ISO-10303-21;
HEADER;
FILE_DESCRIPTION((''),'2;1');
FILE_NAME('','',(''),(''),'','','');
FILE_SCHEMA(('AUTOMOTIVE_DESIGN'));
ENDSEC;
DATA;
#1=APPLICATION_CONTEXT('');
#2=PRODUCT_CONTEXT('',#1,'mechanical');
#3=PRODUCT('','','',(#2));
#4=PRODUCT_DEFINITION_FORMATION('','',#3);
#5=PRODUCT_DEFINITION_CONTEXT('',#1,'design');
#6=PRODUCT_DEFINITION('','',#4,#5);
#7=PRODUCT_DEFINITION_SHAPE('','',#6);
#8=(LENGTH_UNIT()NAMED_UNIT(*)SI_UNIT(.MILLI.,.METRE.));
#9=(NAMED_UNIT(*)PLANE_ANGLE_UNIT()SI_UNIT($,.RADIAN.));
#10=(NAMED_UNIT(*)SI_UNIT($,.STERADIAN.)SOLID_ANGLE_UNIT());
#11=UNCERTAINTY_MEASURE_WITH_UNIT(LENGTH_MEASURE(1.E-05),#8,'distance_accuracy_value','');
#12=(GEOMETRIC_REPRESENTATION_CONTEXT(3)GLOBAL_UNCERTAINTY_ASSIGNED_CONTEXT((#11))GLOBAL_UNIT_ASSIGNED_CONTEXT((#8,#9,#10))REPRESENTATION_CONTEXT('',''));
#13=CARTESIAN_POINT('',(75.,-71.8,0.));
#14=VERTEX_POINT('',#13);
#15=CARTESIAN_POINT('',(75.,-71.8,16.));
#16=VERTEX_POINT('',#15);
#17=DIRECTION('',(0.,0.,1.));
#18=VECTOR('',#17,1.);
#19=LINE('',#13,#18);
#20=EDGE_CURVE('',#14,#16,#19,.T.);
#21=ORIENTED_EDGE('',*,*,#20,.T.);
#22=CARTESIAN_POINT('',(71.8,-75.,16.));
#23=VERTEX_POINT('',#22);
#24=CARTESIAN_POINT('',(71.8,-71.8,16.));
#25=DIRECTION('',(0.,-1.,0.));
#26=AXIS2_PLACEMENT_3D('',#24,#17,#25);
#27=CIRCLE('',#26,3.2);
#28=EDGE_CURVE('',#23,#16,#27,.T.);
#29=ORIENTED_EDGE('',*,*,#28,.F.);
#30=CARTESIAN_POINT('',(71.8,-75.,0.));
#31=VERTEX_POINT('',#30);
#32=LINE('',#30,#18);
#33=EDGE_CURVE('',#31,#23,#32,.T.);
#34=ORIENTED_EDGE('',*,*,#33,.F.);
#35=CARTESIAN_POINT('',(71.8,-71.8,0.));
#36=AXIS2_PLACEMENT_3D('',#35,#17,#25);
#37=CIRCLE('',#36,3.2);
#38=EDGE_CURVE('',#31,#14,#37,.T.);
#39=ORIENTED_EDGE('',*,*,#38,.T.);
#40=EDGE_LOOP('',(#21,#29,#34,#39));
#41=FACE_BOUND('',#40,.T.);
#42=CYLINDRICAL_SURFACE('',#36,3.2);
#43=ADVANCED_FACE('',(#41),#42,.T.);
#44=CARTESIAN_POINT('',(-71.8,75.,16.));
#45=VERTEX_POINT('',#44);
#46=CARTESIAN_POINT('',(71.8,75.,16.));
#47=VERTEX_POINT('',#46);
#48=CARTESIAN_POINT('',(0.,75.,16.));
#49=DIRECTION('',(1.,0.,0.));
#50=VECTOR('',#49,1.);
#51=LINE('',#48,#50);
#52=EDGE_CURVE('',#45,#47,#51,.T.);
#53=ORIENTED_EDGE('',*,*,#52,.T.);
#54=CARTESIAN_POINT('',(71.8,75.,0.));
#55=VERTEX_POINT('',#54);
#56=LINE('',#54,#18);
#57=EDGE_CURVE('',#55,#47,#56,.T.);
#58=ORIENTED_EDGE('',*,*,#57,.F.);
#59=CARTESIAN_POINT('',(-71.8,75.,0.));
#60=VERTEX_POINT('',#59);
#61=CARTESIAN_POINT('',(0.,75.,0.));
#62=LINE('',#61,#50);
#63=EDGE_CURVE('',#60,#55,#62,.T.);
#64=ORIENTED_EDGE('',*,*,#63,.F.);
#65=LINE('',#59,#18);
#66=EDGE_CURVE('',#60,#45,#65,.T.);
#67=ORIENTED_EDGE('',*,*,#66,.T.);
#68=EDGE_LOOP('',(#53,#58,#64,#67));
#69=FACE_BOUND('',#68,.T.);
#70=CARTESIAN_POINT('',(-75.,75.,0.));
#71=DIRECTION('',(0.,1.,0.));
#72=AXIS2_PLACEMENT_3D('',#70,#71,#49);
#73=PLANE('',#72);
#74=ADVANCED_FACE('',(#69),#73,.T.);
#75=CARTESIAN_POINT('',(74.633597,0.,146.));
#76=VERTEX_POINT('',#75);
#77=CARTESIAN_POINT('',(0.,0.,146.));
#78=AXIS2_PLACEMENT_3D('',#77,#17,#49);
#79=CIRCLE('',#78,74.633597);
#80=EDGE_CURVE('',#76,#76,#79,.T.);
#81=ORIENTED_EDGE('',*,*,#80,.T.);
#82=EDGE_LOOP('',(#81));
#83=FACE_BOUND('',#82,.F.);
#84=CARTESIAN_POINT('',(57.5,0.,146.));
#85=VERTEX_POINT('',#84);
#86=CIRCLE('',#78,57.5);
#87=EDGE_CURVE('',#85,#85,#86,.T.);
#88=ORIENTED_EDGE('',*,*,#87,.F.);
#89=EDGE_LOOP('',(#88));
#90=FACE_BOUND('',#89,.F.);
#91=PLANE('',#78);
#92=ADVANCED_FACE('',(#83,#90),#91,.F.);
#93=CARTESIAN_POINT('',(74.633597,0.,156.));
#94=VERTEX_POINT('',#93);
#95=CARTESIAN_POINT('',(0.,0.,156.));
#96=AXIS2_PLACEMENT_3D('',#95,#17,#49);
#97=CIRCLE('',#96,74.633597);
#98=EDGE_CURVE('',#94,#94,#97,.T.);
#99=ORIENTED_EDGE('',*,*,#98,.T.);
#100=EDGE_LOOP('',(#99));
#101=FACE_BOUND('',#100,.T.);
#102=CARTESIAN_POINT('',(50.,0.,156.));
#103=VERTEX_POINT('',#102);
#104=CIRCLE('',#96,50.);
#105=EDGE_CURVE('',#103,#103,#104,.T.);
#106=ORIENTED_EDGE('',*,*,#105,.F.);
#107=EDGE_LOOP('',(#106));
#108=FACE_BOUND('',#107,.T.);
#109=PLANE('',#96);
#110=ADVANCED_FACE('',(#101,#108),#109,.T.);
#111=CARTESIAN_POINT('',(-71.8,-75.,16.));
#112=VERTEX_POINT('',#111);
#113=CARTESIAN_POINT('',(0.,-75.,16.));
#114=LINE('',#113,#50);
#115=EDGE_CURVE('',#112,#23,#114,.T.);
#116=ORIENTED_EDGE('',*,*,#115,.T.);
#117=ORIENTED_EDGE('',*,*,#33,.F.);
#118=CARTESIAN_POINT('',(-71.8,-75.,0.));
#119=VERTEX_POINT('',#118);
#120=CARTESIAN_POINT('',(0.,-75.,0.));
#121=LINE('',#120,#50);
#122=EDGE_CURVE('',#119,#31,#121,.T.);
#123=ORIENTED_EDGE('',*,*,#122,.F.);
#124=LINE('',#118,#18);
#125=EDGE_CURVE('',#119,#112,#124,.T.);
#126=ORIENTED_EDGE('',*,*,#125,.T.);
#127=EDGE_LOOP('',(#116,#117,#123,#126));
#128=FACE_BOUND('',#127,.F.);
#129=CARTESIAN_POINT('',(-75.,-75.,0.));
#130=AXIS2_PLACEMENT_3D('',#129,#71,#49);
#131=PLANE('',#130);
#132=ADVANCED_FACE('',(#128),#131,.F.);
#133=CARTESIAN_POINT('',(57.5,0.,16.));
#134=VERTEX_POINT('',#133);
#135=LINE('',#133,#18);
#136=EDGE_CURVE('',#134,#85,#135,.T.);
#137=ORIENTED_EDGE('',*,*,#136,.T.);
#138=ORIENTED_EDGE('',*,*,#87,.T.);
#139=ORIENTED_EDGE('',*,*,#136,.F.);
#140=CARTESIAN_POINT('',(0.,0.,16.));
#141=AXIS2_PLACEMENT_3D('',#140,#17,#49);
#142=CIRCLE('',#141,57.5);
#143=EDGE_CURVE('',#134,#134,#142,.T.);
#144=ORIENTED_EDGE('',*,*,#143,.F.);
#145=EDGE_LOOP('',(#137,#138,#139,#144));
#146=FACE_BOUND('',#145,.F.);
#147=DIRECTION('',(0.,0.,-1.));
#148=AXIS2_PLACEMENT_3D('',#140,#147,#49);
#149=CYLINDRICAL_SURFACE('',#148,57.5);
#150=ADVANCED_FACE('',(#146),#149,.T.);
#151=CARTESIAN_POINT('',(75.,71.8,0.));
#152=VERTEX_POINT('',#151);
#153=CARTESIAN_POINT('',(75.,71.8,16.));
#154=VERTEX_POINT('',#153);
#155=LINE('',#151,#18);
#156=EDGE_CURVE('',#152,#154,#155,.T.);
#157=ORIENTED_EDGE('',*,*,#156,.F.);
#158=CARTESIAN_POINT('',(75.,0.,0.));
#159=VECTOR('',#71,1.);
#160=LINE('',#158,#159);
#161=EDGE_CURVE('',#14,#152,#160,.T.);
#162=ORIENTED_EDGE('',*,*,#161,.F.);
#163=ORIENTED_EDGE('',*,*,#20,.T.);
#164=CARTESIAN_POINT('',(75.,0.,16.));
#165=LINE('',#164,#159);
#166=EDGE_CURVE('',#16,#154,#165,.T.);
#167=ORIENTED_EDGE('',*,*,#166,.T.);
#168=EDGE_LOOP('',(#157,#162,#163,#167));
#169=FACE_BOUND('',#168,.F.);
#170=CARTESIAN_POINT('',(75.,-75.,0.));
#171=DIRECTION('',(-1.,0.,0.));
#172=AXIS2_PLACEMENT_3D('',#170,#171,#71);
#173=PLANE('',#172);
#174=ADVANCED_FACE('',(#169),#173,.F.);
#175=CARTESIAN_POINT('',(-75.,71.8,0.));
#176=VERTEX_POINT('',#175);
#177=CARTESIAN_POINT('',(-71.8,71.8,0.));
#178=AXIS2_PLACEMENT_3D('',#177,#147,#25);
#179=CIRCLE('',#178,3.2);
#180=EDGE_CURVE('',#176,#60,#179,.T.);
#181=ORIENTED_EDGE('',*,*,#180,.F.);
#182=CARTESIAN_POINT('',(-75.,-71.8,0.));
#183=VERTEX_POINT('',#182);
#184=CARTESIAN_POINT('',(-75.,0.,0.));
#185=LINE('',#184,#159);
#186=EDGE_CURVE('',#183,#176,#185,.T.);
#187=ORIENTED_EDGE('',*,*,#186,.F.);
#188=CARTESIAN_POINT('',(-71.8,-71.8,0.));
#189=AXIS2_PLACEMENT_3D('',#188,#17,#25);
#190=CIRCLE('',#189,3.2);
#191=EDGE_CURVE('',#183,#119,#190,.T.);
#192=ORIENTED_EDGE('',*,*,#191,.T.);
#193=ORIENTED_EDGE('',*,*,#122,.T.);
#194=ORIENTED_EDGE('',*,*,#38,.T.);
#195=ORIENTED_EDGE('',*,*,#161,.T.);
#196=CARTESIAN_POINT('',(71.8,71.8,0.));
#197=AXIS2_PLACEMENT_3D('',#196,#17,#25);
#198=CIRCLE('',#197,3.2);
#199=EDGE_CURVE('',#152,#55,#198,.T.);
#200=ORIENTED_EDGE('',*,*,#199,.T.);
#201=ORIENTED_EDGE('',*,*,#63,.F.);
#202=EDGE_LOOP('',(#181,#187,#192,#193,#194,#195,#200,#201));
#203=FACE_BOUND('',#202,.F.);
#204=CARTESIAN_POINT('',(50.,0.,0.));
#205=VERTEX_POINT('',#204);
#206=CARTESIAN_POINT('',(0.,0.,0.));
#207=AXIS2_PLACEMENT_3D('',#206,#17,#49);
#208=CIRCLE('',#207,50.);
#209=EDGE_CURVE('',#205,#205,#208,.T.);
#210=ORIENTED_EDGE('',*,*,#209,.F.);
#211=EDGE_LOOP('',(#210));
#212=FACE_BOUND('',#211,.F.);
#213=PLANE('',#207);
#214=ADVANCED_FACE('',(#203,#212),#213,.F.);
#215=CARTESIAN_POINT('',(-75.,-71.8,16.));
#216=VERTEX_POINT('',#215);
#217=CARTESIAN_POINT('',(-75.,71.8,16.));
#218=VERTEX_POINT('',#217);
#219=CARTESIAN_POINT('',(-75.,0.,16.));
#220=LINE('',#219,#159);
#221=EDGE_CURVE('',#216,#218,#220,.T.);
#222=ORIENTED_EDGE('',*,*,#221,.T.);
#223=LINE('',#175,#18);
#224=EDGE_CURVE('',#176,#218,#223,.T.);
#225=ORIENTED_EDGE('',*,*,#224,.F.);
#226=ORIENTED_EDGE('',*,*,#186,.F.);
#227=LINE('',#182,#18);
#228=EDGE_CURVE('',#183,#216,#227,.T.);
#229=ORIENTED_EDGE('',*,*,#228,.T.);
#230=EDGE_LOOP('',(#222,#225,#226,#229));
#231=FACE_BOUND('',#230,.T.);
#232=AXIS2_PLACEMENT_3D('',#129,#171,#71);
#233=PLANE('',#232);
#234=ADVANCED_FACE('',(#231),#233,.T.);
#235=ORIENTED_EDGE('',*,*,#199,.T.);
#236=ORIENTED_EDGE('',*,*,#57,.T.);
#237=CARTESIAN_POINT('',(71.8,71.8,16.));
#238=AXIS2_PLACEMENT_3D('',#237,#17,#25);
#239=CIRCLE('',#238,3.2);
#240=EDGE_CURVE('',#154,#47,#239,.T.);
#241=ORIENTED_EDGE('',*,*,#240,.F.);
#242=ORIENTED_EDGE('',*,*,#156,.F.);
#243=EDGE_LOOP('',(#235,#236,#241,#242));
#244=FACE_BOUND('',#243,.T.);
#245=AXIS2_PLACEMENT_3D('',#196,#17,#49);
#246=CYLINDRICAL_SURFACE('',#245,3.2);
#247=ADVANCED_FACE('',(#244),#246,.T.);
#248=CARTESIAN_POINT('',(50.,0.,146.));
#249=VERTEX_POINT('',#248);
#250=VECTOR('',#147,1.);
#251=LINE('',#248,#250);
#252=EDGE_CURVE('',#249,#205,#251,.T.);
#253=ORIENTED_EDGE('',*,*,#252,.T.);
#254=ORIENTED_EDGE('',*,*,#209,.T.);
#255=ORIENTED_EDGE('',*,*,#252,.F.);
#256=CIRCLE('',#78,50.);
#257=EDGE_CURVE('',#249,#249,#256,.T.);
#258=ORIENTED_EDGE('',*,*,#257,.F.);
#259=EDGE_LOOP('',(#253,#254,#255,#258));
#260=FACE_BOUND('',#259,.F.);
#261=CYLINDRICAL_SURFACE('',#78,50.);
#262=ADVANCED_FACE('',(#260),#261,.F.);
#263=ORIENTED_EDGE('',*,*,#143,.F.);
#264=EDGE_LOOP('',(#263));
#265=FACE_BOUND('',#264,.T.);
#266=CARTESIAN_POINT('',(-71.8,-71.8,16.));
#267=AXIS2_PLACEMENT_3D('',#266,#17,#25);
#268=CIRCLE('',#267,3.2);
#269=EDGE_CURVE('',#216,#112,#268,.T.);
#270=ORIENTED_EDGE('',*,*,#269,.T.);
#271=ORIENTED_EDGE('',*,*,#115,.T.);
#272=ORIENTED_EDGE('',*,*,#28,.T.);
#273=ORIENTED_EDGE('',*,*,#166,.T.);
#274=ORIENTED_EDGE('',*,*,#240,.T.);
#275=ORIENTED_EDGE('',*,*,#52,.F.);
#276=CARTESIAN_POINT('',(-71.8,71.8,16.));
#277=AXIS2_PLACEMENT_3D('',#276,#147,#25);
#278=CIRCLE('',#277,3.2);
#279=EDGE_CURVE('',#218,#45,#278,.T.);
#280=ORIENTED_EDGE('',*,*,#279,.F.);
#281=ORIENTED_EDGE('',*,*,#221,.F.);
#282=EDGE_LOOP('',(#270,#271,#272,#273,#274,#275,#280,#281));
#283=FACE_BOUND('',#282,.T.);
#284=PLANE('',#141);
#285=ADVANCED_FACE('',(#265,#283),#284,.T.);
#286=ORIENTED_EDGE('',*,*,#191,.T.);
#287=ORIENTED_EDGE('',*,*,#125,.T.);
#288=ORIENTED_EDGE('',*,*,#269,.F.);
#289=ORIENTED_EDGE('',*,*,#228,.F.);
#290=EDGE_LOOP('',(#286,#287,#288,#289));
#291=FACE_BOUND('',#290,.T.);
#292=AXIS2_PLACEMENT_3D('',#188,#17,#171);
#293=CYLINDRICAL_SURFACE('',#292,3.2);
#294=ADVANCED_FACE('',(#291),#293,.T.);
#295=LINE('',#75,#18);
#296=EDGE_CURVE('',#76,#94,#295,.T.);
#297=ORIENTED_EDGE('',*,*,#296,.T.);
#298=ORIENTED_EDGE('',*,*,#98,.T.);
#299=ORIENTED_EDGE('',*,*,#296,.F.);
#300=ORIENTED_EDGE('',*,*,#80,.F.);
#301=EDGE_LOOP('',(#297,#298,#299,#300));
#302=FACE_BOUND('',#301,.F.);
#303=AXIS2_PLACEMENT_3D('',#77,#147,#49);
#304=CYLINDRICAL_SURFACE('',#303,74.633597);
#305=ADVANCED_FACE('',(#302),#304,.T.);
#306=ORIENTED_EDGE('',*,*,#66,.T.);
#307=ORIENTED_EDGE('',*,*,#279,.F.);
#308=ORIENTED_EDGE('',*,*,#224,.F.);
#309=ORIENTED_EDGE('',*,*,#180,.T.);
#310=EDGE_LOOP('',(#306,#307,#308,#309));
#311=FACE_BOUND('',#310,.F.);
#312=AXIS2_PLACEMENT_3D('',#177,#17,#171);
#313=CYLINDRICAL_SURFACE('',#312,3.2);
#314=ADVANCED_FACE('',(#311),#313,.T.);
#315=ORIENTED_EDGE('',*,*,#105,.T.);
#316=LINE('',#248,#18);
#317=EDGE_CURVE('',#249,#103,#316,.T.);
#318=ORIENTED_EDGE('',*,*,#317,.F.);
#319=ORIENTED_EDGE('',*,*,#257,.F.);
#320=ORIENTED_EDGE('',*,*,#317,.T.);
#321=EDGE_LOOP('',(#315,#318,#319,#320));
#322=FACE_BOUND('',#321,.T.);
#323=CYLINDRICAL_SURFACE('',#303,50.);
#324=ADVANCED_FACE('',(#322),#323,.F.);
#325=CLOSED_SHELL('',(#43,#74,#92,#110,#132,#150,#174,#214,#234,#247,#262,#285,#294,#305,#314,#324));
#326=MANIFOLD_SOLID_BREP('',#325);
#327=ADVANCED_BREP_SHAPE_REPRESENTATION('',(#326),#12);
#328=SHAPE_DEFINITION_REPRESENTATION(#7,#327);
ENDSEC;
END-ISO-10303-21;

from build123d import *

# Parameters (mm, degrees)
F0_W      = 150
F0_H      = 150
F1_DEPTH  = 16
F2_R      = 3.2
F4_R      = 57.5
F5_DEPTH  = 130
F6_R      = 50
F7_DEPTH  = 146.001
F9_R      = 74.633597
F9_R_2    = 50
F10_DEPTH = 10


with BuildPart() as f1:
    # F0 (on Top) → F1 (new body)
    with BuildSketch(Plane.XY):
        Rectangle(F0_W, F0_H)
    extrude(amount=F1_DEPTH)

    # F2
    f2_edges = [f1.edges().sort_by_distance(p)[0] for p in [
        (-75, 75, 8),
        (75, 75, 8),
        (75, -75, 8),
        (-75, -75, 8),
    ]]
    fillet(f2_edges, radius=F2_R)

    # F4 (on face) → F5 (join)
    with BuildSketch(Plane.XY.offset(16)):
        Circle(F4_R)
    extrude(amount=F5_DEPTH)

    # F6 (on face) → F7 (cut, through all)
    with BuildSketch(Plane.XY.offset(146)):
        Circle(F6_R)
    extrude(amount=-F7_DEPTH, mode=Mode.SUBTRACT)

    # F9 (on face) → F10 (join)
    with BuildSketch(Plane.XY.offset(146)):
        Circle(F9_R)
        Circle(F9_R_2, mode=Mode.SUBTRACT)
    extrude(amount=F10_DEPTH)


solid = f1.part
